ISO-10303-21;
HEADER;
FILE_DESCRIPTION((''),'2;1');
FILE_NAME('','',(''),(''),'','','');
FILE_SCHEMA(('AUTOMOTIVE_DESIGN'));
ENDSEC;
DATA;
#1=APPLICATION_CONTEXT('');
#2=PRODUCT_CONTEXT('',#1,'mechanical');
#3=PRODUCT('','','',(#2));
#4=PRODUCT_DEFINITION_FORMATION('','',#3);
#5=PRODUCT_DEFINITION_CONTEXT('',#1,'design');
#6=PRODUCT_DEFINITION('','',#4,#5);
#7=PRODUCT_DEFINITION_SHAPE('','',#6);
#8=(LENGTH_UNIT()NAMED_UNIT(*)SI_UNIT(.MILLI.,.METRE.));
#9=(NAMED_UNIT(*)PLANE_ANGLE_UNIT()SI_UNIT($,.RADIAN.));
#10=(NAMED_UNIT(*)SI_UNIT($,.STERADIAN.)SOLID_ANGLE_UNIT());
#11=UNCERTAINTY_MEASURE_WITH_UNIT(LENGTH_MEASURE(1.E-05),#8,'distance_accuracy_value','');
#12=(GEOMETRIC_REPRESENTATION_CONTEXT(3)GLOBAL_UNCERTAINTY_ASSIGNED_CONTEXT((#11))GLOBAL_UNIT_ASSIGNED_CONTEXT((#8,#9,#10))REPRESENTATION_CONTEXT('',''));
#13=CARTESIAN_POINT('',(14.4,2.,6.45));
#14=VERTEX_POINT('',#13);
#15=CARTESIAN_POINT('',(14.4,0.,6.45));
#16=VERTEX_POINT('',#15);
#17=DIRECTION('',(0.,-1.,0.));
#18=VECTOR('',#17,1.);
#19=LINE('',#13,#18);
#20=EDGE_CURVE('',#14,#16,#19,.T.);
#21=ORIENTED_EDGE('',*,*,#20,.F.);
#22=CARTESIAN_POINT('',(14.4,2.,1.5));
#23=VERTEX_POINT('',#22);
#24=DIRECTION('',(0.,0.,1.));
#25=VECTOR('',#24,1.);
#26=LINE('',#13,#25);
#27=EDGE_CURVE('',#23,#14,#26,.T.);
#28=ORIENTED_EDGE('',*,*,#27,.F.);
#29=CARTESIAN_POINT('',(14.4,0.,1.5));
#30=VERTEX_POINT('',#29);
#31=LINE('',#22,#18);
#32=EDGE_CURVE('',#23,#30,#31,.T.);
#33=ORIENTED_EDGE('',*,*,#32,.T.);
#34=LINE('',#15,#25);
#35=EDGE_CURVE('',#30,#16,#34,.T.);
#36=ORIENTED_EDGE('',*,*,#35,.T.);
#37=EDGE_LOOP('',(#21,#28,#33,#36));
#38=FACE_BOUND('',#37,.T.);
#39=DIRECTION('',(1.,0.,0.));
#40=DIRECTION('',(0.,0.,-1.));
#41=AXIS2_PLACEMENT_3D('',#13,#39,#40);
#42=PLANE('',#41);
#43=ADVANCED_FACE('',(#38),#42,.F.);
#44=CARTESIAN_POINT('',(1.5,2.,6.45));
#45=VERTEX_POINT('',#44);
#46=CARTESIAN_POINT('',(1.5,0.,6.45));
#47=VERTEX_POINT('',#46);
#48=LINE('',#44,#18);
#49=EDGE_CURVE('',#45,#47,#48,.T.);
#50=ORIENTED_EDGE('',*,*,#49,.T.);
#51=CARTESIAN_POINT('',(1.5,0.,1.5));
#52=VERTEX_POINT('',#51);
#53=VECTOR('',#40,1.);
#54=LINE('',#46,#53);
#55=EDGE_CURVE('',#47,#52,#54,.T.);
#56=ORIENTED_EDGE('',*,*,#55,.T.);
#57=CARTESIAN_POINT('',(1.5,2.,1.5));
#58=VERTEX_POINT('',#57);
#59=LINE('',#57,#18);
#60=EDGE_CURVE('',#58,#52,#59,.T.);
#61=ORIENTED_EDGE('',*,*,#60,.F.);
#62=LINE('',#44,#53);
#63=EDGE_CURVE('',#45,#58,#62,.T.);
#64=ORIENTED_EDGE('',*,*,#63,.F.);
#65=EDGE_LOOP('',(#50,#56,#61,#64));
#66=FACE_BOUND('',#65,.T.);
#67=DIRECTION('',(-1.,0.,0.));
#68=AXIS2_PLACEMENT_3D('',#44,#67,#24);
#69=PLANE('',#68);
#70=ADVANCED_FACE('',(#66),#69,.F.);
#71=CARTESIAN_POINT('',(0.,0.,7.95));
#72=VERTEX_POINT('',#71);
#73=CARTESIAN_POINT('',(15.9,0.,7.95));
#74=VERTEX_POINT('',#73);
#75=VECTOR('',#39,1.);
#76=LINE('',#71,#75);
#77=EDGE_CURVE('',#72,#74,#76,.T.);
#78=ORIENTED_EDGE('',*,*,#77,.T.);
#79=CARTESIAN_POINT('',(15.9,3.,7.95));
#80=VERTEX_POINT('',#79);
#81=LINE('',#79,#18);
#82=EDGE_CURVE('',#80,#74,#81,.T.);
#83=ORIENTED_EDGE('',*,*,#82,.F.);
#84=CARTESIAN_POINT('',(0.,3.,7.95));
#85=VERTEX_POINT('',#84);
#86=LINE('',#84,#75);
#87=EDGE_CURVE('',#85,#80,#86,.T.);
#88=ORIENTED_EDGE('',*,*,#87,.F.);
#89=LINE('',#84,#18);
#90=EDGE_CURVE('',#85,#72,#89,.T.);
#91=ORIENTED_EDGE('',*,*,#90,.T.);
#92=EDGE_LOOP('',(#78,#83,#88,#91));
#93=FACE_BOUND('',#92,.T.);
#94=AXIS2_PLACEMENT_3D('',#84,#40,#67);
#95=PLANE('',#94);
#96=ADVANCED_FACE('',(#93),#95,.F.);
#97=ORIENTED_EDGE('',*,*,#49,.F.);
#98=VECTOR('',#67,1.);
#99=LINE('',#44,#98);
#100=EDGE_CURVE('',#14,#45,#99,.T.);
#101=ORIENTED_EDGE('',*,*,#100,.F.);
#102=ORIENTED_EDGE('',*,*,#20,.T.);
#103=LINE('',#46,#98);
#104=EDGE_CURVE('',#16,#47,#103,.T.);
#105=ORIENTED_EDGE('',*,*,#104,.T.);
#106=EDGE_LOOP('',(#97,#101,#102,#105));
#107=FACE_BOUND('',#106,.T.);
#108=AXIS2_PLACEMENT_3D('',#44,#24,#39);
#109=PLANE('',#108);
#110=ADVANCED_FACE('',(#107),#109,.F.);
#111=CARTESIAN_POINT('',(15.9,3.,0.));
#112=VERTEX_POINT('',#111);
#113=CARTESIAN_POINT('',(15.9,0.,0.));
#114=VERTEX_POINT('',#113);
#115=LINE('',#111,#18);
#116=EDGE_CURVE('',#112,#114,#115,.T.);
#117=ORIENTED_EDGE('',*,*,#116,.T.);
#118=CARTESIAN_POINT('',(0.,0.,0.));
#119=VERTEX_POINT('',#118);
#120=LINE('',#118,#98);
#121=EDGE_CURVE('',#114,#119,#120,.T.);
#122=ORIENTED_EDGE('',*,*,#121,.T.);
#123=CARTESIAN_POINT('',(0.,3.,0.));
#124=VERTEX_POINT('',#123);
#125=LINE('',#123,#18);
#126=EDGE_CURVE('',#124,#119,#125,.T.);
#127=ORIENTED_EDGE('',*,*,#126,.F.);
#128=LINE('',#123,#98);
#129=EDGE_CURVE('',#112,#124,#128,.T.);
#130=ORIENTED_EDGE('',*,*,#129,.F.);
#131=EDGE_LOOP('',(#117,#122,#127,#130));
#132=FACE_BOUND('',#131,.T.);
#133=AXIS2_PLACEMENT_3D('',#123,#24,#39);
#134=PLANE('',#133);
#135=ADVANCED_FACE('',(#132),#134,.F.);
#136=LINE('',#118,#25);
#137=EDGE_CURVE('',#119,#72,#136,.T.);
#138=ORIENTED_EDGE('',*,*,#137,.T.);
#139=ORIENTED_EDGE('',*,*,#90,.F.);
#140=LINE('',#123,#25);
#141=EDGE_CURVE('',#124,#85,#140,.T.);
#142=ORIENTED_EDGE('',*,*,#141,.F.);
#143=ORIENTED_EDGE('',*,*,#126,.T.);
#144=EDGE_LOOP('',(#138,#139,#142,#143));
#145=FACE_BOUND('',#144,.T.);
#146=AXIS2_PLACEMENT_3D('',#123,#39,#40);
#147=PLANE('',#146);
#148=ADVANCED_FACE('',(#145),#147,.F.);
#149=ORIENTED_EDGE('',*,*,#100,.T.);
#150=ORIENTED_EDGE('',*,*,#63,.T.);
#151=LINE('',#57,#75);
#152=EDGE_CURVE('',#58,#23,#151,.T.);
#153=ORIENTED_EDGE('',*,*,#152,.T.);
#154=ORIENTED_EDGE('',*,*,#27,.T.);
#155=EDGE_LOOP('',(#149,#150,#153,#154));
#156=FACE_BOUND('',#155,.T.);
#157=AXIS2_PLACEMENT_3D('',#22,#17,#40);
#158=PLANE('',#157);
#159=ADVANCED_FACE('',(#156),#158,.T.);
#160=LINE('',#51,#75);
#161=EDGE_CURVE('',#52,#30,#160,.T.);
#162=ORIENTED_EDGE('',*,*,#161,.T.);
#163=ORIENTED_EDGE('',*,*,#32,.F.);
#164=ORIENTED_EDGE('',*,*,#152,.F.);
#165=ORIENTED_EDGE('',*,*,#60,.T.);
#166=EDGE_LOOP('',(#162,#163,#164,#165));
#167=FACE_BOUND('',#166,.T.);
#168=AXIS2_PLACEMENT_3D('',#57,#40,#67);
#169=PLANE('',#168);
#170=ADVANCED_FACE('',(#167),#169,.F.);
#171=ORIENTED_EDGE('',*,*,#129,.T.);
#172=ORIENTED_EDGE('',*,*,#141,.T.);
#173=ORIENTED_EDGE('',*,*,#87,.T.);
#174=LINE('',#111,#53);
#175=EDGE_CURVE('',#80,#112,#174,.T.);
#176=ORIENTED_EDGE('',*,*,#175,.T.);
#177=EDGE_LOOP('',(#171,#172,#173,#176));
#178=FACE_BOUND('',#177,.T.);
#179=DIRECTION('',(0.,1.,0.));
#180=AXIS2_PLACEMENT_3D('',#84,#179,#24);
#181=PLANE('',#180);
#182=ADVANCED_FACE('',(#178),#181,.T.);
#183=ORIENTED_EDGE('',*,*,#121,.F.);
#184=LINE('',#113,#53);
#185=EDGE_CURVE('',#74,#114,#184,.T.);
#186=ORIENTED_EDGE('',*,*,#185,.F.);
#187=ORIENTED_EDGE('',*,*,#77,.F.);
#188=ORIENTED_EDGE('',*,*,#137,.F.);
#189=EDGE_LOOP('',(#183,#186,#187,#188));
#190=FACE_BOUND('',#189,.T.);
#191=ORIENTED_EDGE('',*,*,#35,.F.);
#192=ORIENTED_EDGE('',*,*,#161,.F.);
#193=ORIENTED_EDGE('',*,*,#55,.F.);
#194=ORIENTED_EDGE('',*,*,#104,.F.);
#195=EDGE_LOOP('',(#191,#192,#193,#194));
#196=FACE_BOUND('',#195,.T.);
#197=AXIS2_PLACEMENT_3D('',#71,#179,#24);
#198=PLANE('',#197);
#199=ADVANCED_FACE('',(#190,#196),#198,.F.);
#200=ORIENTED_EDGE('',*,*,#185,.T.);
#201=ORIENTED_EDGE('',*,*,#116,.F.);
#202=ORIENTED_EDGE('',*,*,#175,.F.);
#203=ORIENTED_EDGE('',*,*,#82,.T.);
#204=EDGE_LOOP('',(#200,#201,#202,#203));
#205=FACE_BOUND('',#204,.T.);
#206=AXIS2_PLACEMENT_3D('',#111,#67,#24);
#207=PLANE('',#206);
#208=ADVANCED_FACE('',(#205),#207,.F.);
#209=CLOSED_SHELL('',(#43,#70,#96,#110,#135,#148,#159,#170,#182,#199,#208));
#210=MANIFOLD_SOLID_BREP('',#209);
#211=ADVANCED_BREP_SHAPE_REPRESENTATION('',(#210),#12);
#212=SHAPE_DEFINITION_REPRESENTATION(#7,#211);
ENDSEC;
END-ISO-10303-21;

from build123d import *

# Parameters (mm, degrees)
SKETCH1_W           = 15.9
SKETCH1_H           = 7.95
BOSS_EXTRUDE1_DEPTH = 3
SKETCH2_W           = 12.9
SKETCH2_H           = 4.95
CUT_EXTRUDE1_DEPTH  = 2


with BuildPart() as part:
    # Sketch1 → Boss-Extrude1 (new body)
    with BuildSketch(Plane(origin=(0, 0, 0), x_dir=(1, 0, 0), z_dir=(0, 1, 0))):
        with Locations((7.95, -3.975)):
            Rectangle(SKETCH1_W, SKETCH1_H)
    extrude(amount=BOSS_EXTRUDE1_DEPTH)

    # Sketch2 → Cut-Extrude1 (cut)
    with BuildSketch(Plane.XZ):
        with Locations((7.95, 3.975)):
            Rectangle(SKETCH2_W, SKETCH2_H)
    extrude(amount=-CUT_EXTRUDE1_DEPTH, mode=Mode.SUBTRACT)


solid = part.part
